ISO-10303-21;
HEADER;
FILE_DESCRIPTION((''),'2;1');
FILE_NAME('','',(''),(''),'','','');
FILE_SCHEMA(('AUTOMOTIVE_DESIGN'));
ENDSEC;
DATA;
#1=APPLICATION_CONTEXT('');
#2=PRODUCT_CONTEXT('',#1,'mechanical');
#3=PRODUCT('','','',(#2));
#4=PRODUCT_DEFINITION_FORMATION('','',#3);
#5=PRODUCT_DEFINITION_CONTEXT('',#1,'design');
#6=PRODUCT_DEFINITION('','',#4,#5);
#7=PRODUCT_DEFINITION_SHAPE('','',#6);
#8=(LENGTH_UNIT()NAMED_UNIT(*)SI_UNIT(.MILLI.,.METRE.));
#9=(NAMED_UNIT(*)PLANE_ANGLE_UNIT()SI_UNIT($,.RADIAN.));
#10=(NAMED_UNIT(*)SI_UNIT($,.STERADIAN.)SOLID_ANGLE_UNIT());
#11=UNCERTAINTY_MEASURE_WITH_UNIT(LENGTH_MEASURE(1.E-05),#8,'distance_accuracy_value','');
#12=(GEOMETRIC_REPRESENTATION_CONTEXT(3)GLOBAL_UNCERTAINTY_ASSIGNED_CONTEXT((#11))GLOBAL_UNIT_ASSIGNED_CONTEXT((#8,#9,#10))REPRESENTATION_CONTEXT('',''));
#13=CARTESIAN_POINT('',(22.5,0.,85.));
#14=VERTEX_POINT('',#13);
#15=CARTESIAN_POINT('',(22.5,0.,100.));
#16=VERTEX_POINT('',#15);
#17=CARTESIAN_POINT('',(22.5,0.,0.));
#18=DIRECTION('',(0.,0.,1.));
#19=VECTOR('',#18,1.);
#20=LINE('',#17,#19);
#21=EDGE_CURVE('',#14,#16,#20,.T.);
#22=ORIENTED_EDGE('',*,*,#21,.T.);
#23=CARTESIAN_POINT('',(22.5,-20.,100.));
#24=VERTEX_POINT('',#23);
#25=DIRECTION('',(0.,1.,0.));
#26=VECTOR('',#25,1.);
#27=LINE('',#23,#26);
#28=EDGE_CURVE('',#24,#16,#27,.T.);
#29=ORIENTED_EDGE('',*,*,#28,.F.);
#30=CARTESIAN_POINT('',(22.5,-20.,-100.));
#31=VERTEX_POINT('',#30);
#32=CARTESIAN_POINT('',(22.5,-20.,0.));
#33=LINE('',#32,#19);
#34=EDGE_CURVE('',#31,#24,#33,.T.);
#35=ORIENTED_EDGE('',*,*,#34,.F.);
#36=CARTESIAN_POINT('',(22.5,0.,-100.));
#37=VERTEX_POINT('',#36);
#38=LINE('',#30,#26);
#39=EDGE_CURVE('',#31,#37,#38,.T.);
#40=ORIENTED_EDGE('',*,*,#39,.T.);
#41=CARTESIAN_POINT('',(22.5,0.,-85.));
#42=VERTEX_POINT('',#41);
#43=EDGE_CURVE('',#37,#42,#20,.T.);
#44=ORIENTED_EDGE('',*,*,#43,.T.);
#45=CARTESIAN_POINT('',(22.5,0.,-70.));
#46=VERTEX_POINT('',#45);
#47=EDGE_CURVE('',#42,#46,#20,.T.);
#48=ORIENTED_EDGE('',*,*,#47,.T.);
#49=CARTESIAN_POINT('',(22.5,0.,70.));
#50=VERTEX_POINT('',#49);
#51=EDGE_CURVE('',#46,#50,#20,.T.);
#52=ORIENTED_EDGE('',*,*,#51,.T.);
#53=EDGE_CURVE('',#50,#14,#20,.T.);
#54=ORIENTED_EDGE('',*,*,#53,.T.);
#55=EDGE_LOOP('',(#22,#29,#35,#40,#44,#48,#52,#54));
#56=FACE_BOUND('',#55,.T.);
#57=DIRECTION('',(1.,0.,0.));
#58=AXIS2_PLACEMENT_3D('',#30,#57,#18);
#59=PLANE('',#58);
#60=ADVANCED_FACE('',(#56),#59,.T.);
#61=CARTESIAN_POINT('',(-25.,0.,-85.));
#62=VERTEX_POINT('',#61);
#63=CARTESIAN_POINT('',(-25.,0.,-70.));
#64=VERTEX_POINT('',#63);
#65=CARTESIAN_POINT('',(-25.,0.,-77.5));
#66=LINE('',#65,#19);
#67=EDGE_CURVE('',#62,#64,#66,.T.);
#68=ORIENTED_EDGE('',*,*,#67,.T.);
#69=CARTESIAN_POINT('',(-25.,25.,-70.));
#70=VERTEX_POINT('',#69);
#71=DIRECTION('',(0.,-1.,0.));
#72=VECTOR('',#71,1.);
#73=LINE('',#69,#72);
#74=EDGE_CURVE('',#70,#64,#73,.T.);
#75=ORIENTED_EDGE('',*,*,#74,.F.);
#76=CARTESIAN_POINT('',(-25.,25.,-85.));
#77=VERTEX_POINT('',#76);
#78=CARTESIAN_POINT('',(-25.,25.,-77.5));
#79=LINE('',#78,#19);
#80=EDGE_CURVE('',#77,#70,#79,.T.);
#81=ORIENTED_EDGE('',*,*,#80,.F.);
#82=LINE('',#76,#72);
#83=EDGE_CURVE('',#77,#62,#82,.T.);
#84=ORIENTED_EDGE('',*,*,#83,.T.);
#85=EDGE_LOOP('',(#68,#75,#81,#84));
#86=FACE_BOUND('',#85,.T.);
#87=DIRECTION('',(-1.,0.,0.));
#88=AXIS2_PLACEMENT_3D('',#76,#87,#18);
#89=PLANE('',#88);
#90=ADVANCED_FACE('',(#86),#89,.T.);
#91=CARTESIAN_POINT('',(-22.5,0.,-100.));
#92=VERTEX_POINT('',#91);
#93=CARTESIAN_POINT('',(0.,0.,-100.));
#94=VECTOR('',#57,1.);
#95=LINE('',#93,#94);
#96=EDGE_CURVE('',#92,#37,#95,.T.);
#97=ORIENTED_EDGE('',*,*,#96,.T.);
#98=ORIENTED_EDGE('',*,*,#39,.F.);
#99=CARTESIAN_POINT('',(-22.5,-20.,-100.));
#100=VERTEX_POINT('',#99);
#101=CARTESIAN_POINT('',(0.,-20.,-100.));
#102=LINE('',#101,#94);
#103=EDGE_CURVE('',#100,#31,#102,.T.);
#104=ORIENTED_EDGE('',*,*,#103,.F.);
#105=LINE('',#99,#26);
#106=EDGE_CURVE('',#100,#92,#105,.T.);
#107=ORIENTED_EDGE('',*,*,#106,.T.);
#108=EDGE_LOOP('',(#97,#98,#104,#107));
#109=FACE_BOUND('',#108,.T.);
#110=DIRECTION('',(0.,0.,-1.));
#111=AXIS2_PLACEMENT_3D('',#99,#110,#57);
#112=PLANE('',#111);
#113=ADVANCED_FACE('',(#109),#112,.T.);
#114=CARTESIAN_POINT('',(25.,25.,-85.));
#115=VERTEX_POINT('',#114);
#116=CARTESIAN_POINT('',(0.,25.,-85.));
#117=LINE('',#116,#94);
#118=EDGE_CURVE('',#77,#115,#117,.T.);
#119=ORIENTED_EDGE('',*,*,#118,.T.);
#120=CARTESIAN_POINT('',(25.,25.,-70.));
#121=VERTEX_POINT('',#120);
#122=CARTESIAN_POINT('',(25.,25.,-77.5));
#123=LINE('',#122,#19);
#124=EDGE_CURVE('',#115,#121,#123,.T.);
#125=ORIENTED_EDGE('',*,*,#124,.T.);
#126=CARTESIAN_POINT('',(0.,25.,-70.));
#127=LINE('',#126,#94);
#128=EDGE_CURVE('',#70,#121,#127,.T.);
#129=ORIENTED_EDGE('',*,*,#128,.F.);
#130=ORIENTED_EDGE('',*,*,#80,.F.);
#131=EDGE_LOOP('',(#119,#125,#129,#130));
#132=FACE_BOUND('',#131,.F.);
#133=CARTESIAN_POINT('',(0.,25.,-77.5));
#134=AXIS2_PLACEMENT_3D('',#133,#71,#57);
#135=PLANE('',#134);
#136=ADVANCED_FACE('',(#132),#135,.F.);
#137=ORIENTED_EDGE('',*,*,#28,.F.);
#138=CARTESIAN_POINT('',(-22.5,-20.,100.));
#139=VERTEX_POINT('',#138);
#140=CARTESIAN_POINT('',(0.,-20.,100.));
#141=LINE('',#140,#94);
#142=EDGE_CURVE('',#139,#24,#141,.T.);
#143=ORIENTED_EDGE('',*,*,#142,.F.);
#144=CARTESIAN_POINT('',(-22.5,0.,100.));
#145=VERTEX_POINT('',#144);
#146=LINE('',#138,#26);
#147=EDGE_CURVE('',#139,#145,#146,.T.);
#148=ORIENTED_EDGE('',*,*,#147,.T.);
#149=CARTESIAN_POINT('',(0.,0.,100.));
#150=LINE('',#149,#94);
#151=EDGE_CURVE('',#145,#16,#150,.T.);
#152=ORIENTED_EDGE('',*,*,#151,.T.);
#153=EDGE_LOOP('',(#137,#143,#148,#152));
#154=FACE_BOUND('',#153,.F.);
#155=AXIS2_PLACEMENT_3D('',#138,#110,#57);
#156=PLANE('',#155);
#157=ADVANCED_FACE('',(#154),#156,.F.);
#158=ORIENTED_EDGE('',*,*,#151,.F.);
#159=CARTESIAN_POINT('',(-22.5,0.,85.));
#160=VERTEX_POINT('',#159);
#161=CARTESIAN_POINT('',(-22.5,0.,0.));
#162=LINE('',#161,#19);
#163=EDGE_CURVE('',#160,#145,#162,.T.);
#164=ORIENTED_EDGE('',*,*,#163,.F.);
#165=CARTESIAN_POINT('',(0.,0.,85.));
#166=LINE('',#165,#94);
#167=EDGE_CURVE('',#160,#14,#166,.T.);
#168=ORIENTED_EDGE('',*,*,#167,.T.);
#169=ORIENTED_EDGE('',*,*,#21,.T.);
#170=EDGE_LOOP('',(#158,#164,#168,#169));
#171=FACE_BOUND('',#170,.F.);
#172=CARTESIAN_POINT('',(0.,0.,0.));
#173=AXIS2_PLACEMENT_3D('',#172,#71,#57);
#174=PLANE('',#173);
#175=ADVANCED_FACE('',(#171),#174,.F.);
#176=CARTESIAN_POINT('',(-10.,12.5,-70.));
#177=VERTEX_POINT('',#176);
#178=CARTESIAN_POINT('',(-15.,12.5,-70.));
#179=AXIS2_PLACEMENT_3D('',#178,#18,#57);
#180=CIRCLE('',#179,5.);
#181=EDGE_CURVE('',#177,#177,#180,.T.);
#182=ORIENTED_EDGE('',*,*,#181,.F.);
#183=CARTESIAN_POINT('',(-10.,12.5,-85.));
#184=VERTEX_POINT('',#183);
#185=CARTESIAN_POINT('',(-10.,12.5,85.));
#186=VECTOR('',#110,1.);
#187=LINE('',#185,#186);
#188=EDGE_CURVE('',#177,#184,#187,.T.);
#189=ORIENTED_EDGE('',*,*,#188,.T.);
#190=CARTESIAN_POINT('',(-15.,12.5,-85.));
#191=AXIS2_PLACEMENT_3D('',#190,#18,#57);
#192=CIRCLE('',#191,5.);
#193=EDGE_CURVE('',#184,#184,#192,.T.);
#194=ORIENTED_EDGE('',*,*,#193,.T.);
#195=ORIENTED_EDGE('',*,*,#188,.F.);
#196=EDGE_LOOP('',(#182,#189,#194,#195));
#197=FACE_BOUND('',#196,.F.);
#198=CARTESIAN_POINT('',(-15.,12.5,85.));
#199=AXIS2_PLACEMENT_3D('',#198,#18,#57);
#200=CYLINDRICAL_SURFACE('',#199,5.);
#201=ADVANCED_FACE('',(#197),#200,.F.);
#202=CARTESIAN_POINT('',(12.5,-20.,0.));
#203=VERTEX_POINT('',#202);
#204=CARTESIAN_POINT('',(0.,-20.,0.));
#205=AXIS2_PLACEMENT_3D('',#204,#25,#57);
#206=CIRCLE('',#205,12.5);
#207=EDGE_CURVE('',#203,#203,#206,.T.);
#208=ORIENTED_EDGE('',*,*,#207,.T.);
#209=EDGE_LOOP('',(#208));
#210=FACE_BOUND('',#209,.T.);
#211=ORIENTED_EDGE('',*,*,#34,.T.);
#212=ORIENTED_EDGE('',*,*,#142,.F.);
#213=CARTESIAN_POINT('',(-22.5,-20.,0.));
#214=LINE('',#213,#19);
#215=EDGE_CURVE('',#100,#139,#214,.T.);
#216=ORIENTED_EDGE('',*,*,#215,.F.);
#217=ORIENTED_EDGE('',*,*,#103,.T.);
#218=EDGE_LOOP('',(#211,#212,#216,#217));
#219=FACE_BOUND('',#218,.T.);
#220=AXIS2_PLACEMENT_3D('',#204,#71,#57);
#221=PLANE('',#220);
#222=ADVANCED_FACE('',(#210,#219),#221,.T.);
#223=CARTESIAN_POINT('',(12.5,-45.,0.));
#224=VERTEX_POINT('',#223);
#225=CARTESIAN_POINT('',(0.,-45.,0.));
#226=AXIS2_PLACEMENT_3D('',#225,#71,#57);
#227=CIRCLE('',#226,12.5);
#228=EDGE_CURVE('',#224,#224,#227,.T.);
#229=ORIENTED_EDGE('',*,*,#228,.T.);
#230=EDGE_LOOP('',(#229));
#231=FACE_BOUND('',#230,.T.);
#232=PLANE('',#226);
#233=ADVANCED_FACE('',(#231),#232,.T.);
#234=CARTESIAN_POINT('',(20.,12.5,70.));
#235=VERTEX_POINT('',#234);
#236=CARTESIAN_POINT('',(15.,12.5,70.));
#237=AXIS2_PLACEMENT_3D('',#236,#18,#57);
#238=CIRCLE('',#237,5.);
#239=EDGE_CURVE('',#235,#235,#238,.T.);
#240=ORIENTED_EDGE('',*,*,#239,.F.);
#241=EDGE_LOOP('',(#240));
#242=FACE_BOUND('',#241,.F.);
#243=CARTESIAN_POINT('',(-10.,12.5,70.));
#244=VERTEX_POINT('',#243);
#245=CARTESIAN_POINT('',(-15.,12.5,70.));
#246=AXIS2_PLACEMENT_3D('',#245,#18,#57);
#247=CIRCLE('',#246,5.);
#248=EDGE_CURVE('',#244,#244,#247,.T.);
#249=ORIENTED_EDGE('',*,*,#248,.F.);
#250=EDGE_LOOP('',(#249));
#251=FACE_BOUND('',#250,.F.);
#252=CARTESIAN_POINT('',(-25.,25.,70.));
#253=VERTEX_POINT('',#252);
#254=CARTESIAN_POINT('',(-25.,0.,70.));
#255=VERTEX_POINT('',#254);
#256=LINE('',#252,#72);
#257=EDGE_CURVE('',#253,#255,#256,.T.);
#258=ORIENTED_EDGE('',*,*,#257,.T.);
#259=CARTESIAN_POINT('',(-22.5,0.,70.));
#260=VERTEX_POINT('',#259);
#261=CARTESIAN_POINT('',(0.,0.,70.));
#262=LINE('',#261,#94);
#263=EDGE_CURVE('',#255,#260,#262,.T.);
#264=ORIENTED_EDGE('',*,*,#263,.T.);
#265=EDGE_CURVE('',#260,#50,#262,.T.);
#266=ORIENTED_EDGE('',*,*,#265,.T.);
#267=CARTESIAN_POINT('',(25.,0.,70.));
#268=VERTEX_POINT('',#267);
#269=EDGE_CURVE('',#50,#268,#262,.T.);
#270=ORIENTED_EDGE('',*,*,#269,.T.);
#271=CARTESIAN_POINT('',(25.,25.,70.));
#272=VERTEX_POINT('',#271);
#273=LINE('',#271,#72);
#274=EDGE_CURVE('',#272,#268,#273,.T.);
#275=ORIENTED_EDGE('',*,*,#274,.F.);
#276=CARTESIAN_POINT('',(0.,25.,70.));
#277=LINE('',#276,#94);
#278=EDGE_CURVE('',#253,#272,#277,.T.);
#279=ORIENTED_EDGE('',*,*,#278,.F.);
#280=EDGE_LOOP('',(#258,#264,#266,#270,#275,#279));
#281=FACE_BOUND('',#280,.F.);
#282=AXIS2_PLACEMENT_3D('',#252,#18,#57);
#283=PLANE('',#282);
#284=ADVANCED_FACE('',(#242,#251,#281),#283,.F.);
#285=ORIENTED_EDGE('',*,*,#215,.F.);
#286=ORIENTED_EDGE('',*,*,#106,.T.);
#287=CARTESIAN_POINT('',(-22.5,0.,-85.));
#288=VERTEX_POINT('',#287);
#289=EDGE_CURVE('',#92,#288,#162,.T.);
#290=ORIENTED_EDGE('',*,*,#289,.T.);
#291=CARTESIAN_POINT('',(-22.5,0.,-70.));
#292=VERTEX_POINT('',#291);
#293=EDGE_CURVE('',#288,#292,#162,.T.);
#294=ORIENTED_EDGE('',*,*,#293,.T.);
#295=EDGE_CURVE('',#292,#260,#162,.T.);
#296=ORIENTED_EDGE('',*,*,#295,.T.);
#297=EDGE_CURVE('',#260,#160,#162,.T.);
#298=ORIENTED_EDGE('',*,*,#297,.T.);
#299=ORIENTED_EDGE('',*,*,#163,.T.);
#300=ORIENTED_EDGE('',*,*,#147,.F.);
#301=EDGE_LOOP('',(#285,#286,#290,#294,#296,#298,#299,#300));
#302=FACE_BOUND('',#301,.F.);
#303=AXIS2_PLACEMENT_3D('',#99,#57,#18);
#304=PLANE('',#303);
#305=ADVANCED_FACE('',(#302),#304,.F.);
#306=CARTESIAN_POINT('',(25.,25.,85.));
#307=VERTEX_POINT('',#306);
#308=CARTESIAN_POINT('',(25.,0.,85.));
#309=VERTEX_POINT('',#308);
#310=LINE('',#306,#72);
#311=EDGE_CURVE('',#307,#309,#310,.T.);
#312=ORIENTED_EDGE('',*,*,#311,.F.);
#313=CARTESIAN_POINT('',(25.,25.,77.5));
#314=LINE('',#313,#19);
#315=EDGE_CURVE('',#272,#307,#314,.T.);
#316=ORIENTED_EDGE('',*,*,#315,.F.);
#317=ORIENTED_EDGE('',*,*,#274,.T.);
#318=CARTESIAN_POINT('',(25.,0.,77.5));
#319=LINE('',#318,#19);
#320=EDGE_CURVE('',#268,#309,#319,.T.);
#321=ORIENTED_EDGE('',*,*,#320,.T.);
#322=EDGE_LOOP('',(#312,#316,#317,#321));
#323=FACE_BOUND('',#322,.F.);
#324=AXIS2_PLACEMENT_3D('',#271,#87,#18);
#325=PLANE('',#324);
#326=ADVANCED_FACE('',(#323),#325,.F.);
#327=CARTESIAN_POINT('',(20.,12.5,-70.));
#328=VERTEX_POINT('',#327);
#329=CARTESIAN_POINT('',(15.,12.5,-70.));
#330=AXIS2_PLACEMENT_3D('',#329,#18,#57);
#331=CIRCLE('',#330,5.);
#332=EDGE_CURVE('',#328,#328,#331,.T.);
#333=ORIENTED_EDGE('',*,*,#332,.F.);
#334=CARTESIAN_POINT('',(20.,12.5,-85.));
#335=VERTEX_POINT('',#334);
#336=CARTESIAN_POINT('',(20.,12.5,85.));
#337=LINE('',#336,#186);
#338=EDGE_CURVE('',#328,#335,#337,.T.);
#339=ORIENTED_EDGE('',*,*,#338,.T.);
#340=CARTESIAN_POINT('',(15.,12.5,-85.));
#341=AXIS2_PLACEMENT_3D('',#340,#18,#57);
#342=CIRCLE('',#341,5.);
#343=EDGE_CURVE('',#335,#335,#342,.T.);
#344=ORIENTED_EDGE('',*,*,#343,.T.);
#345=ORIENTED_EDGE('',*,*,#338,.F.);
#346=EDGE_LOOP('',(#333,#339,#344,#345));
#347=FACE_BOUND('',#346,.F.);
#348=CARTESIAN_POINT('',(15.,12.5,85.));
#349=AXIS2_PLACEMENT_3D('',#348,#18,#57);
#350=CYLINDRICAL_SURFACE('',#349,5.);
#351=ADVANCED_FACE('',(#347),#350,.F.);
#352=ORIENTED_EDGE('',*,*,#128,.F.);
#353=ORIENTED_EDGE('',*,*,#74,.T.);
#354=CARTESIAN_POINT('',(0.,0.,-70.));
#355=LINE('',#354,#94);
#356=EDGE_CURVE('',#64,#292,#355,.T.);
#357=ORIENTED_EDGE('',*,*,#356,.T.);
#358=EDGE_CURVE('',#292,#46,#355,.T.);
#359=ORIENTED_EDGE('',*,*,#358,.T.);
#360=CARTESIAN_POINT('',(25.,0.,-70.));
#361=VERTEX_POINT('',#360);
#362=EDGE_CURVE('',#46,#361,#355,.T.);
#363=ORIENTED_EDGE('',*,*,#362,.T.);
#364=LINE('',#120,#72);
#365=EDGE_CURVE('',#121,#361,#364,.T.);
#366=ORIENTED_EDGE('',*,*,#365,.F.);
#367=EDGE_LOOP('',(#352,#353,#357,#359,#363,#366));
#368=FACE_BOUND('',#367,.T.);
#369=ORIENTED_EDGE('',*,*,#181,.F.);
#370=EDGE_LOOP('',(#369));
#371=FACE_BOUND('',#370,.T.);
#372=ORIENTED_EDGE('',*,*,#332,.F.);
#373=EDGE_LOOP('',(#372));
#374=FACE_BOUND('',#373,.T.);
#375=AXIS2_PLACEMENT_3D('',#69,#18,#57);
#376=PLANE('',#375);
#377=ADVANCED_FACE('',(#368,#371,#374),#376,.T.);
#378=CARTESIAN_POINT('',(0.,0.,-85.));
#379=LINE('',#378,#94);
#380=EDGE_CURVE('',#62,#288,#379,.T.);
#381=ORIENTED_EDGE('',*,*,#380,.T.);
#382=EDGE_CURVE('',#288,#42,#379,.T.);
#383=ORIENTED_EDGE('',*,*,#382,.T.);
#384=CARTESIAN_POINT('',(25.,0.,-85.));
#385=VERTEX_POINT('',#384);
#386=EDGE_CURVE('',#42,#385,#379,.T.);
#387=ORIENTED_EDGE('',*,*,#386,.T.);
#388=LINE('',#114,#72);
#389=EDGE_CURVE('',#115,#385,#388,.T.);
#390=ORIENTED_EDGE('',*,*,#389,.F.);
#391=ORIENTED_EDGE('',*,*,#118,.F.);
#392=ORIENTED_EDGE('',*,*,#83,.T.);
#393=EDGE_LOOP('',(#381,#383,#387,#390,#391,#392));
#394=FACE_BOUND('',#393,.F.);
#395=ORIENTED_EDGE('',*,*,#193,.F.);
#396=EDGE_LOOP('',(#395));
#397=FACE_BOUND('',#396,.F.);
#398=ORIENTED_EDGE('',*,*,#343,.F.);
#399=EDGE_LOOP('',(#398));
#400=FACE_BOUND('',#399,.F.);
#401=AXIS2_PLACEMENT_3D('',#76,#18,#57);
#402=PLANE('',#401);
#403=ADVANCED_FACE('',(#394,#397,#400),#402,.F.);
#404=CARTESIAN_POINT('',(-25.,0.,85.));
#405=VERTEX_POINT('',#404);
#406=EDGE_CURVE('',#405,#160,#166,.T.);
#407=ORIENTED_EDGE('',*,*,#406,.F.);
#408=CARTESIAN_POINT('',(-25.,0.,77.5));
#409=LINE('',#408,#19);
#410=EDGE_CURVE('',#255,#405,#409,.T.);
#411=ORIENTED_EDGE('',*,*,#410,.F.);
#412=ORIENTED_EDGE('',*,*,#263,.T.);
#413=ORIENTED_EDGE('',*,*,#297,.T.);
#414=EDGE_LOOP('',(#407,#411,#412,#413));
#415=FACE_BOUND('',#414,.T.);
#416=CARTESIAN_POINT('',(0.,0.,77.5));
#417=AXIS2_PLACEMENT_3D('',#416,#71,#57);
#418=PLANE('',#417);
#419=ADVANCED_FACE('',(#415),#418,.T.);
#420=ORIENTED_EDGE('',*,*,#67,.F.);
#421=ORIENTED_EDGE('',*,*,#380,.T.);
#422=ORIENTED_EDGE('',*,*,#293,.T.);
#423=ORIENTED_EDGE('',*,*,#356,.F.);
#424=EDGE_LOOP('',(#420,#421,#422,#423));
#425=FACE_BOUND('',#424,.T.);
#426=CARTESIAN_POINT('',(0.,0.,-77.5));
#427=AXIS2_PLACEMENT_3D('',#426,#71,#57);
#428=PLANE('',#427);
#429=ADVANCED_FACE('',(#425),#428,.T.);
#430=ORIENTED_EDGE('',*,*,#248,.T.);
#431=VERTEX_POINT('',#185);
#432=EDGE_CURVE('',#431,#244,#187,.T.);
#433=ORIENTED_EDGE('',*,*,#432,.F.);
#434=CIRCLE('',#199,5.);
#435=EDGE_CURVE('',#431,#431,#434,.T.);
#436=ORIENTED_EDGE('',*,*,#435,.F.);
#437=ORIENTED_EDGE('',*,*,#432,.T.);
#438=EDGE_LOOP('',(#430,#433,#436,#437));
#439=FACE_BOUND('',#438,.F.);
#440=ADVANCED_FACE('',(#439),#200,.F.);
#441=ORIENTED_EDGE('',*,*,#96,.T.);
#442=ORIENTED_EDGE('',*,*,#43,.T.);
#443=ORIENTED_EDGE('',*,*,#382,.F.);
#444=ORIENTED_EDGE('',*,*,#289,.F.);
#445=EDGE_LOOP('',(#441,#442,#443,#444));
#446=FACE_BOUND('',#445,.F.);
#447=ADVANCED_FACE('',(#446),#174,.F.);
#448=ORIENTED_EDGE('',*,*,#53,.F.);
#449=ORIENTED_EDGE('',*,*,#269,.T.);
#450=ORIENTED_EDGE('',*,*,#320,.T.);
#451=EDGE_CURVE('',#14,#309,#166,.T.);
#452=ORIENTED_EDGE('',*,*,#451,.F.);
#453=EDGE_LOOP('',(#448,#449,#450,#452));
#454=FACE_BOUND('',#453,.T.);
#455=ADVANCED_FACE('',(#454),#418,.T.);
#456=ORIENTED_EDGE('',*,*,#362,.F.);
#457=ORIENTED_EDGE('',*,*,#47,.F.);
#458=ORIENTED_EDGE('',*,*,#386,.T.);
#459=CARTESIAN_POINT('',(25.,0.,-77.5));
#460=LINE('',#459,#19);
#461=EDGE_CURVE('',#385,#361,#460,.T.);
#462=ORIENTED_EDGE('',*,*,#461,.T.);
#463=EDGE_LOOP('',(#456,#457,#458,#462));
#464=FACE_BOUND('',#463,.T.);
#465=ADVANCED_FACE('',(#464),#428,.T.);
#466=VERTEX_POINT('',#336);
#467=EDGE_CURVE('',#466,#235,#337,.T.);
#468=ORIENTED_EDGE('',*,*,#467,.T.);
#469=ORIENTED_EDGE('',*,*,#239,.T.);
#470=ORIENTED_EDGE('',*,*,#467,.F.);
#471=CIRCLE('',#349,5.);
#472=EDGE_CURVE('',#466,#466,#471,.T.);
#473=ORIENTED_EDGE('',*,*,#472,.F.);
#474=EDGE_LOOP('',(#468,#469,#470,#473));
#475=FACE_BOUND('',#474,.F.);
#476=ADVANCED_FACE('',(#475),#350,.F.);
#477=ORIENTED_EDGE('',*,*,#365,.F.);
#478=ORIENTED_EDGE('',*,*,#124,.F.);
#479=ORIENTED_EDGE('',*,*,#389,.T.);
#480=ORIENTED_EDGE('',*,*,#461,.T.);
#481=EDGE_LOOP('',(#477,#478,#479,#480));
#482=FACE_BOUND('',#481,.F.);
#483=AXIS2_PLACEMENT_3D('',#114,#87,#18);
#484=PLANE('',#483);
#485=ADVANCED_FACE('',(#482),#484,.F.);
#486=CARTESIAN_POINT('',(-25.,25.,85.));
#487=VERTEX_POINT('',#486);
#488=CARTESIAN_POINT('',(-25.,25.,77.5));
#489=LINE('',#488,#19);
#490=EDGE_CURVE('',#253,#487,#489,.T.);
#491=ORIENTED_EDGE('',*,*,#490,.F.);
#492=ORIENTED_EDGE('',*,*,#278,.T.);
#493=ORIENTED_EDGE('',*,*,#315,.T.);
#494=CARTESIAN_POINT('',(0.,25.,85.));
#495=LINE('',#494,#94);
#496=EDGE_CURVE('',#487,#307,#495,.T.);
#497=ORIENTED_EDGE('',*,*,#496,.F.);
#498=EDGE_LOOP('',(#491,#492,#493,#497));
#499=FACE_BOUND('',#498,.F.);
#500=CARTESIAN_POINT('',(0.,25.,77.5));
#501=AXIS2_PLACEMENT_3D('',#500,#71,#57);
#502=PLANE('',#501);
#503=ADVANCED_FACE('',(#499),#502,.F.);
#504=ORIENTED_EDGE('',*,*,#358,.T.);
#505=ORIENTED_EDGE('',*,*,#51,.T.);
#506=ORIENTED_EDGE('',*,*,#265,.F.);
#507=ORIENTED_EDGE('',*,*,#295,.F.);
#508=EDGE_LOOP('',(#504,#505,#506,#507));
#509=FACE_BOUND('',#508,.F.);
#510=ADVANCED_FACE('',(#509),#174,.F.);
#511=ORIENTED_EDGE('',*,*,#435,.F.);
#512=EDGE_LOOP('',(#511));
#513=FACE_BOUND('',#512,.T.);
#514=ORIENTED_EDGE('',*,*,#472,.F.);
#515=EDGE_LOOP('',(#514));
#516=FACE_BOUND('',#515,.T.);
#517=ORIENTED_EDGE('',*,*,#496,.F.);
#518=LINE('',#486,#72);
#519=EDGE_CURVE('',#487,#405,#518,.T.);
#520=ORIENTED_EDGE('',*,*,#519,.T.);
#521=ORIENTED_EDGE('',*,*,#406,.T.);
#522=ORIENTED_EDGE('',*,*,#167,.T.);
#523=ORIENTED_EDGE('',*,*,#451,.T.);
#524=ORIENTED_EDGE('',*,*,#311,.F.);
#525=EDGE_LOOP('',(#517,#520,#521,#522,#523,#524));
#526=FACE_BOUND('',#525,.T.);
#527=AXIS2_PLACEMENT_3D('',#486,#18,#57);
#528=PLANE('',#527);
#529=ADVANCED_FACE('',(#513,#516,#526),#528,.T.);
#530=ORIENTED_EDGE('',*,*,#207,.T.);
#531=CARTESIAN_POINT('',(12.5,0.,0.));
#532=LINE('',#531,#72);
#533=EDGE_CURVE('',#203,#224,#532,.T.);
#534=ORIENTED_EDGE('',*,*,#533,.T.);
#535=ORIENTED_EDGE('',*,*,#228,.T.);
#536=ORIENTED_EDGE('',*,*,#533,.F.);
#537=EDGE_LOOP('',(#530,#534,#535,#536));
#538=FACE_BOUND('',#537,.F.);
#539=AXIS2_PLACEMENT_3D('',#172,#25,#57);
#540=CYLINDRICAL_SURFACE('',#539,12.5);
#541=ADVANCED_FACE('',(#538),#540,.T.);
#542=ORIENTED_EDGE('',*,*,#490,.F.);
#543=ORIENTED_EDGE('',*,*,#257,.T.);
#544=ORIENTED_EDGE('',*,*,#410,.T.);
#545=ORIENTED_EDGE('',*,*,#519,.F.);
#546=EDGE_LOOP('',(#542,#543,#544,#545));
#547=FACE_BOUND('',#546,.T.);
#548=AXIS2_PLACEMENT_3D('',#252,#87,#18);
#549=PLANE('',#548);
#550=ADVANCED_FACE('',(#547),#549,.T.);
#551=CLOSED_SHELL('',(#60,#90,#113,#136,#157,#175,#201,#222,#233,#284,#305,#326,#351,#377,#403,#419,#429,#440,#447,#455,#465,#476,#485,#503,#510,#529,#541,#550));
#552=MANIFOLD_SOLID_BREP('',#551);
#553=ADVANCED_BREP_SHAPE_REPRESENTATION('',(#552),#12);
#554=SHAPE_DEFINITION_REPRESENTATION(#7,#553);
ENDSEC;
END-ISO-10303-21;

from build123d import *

# Parameters (mm, degrees)
F0_R     = 12.5
F1_DEPTH = 45
F3_W     = 45
F3_H     = 200
F4_DEPTH = 20
F6_W     = 50
F6_H     = 15
F7_DEPTH = 25
F8_R     = 5
F9_DEPTH = 185.001


with BuildPart() as f1:
    # F0 (on Front) → F1 (new body)
    with BuildSketch(Plane.XZ):
        Circle(F0_R)
    extrude(amount=F1_DEPTH)

    # F3 (on offset) → F4 (join)
    with BuildSketch(Plane.XZ.offset(20)):
        Rectangle(F3_W, F3_H)
    extrude(amount=-F4_DEPTH)

    # F6 (on offset) → F7 (join)
    with BuildSketch(Plane.XZ.offset(-25)):
        with Locations((0, 77.5)):
            Rectangle(F6_W, F6_H)
        with Locations((0, -77.5)):
            Rectangle(F6_W, F6_H)
    extrude(amount=F7_DEPTH)

    # F8 (on face) → F9 (cut, through all)
    with BuildSketch(Plane.XY.offset(85)):
        with Locations((15, 12.5)):
            Circle(F8_R)
        with Locations((-15, 12.5)):
            Circle(F8_R)
    extrude(amount=-F9_DEPTH, mode=Mode.SUBTRACT)


solid = f1.part
